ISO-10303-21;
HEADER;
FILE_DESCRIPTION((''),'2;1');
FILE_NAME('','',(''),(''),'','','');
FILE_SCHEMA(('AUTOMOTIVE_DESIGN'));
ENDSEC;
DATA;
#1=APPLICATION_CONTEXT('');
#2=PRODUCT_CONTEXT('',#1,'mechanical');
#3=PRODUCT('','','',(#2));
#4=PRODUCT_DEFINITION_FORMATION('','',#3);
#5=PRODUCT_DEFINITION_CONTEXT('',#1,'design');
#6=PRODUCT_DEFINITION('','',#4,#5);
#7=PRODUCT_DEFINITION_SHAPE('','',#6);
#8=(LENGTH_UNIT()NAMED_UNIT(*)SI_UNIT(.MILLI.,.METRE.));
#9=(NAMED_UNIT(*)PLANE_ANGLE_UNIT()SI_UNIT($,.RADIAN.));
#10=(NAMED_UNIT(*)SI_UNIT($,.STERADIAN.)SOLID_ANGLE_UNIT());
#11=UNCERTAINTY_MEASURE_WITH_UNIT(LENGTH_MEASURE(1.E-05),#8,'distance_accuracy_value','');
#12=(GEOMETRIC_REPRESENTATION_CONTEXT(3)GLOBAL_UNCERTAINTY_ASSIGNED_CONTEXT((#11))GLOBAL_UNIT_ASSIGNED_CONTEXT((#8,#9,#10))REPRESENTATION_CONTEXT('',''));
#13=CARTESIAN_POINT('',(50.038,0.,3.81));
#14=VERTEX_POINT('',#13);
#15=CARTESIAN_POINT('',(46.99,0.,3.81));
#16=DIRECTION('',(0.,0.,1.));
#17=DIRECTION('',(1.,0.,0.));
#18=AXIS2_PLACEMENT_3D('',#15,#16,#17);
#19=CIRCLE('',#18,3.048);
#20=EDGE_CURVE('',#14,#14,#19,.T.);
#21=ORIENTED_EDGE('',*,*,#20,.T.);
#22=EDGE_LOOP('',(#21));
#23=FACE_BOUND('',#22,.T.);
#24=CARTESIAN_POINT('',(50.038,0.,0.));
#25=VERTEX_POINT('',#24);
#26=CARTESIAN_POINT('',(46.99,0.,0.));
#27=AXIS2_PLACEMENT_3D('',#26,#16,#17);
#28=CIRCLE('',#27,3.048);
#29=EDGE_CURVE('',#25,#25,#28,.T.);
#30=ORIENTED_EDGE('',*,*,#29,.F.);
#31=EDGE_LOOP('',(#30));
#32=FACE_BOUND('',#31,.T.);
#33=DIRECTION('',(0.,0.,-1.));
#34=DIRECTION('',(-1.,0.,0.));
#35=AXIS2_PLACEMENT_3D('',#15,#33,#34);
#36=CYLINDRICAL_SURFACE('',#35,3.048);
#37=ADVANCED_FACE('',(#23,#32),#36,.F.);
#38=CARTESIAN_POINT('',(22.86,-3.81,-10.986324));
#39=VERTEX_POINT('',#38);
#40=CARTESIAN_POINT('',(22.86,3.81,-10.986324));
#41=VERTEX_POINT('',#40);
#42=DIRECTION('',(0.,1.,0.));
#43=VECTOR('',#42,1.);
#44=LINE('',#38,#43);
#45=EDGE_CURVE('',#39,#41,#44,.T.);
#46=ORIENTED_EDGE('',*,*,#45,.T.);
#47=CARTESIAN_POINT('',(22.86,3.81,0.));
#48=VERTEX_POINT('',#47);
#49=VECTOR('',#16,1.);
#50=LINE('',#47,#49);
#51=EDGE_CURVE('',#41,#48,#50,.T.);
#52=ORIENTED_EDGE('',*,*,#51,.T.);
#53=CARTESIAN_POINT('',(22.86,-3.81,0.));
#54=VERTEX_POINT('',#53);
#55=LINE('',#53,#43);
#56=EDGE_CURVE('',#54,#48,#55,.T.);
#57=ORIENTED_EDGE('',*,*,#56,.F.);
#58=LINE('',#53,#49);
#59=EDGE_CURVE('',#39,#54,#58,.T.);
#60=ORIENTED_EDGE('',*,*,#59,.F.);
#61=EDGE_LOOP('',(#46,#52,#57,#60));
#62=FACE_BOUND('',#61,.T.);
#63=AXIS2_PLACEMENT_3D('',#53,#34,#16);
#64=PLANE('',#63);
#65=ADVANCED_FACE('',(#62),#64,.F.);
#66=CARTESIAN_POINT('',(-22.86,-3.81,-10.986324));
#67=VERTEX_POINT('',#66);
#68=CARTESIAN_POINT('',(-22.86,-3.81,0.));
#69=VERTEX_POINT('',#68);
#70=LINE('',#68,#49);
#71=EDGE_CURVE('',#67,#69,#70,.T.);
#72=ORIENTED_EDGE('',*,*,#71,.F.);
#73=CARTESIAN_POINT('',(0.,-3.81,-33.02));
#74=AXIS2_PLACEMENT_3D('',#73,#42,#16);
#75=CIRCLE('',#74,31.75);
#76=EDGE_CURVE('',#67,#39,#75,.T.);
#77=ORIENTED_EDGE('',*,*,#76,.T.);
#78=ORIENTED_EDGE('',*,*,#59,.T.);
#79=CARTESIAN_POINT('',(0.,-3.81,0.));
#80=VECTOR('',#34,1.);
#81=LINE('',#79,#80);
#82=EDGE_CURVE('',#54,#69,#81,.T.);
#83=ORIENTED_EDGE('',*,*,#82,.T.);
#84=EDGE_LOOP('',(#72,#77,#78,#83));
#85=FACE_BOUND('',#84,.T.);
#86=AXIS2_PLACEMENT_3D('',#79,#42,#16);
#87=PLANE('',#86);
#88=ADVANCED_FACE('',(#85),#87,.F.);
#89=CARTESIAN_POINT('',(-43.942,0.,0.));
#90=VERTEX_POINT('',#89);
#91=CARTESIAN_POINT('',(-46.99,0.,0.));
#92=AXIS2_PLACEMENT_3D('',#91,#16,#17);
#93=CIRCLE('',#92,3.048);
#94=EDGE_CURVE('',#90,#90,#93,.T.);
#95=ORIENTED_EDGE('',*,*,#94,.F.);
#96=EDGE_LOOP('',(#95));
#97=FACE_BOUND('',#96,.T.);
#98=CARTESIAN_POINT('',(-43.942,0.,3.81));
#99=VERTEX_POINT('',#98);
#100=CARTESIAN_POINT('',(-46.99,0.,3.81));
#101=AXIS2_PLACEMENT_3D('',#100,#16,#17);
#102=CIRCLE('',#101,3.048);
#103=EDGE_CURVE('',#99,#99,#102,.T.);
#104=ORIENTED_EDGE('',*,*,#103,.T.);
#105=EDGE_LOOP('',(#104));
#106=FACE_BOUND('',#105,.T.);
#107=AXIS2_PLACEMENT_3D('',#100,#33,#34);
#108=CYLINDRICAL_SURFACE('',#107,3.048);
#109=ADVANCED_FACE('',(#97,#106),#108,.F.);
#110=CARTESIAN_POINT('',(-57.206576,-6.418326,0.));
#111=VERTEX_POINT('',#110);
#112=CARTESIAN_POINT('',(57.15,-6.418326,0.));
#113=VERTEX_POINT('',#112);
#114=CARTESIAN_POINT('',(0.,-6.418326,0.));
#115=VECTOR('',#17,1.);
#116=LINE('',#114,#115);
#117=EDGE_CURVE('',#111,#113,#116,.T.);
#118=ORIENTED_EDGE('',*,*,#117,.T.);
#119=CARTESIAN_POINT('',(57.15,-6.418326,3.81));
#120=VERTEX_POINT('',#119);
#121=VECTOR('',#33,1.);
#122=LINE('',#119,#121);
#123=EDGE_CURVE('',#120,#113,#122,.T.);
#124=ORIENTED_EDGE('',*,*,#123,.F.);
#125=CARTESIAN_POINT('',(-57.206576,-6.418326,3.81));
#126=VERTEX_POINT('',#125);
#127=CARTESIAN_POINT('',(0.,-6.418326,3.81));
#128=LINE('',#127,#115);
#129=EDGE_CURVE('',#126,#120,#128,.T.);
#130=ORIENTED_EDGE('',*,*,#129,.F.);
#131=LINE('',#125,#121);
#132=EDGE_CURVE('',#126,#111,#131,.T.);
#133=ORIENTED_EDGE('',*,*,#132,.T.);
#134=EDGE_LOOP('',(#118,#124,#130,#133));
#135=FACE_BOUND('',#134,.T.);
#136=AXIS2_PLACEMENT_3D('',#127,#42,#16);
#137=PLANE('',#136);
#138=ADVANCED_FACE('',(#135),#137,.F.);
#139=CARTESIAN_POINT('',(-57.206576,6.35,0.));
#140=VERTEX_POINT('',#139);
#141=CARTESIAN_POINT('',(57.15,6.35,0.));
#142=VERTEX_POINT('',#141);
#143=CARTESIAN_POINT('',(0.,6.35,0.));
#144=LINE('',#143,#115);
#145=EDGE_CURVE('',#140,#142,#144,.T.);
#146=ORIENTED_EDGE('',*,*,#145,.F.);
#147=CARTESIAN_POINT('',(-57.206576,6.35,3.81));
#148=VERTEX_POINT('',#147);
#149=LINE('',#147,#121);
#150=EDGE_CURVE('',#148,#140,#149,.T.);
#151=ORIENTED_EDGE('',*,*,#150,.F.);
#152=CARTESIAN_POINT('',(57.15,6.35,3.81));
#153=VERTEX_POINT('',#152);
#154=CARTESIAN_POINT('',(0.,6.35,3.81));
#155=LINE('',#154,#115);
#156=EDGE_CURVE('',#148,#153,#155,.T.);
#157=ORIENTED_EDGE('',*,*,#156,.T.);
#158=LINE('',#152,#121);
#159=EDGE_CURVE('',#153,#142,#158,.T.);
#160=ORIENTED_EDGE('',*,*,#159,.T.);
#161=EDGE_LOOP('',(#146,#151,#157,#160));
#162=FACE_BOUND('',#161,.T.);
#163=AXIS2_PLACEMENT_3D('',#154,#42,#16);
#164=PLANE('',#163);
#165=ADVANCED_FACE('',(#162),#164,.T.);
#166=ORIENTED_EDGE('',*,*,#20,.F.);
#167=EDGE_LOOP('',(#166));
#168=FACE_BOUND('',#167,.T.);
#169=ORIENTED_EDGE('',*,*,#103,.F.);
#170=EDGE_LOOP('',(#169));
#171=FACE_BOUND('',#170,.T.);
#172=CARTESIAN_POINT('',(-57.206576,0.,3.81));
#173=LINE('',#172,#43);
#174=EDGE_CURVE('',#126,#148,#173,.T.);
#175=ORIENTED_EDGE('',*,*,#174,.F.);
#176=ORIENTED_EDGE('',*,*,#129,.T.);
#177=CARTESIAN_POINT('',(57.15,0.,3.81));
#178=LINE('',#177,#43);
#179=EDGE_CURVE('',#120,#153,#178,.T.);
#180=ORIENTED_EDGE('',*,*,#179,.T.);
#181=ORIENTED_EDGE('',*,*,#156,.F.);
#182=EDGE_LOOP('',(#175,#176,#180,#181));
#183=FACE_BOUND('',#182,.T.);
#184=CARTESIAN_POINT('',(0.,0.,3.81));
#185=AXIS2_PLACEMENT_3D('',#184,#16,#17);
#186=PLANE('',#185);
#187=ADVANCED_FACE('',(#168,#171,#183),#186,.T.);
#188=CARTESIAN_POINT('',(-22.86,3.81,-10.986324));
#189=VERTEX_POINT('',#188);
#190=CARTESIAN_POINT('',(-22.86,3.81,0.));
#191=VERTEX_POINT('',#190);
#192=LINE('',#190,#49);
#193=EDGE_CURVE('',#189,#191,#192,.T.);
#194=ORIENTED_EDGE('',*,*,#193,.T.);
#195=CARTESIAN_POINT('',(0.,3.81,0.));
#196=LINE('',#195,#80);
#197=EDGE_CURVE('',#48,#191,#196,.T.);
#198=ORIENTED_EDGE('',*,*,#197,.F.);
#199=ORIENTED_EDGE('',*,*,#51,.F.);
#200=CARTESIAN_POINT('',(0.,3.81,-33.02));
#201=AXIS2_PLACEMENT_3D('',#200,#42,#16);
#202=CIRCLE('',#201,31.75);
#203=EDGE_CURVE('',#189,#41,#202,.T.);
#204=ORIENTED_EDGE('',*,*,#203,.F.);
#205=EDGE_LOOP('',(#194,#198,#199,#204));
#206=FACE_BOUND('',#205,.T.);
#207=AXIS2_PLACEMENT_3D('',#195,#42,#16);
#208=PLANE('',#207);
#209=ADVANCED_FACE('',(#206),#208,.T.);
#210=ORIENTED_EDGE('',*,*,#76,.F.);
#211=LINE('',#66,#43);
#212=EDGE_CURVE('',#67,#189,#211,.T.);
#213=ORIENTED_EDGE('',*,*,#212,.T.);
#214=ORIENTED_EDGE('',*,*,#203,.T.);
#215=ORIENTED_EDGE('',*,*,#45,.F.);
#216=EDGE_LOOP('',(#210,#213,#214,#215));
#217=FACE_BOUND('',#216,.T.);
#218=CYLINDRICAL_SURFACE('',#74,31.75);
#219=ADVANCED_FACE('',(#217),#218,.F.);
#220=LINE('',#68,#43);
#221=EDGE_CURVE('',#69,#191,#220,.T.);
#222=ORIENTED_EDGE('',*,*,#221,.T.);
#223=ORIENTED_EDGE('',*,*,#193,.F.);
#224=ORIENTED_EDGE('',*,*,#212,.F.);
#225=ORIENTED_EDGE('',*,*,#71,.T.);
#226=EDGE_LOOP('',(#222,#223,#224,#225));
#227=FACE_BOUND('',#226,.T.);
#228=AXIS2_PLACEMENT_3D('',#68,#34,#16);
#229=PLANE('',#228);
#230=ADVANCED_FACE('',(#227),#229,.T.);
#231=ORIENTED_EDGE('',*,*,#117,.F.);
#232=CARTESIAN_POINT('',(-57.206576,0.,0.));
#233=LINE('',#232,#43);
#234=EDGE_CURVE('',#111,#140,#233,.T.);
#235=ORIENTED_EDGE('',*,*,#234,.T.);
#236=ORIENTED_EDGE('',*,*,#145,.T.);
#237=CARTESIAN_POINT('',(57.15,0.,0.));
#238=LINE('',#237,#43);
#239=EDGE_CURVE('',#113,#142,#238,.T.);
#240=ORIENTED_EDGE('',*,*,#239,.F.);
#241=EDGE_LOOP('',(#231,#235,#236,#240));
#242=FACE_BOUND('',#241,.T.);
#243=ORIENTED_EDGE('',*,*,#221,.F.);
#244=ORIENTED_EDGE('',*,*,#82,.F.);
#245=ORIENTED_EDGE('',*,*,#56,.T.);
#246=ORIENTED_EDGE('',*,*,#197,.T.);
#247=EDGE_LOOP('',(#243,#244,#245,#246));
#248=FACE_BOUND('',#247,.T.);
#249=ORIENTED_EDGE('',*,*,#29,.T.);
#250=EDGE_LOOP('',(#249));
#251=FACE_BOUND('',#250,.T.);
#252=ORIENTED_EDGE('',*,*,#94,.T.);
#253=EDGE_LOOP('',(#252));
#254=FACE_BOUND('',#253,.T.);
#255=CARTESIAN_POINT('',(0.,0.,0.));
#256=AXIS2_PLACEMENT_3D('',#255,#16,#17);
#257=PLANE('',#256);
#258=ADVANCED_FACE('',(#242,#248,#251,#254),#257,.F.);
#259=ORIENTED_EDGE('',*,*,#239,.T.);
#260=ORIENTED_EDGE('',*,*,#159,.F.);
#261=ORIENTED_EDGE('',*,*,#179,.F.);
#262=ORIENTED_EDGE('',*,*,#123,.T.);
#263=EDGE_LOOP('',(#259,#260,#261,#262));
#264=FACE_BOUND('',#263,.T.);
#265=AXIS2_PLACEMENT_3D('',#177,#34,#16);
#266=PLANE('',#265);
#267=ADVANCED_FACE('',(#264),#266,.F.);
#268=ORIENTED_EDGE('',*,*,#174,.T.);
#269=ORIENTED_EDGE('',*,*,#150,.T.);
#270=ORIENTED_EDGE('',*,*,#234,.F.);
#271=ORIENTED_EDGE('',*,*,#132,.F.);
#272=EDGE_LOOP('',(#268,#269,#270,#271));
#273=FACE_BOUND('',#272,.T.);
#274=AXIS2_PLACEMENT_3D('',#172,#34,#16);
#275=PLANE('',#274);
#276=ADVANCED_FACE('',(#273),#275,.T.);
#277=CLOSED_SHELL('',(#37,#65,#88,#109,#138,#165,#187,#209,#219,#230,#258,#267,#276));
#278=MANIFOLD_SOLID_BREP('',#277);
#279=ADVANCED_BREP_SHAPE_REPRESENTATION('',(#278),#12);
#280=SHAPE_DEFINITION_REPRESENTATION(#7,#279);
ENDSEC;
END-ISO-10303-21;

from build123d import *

# Parameters (mm, degrees)
SKETCH2_W                = 114.356575713
SKETCH2_H                = 12.768326156
SKETCH2_R                = 3.048
BOSS_EXTRUDE1_DEPTH      = 3.81
BOSS_EXTRUDE2_DEPTH      = 3.81
BOSS_EXTRUDE2_DEPTH_BACK = 3.81


with BuildPart() as part:
    # Sketch2 → Boss-Extrude1 (new body)
    with BuildSketch(Plane.XY):
        with Locations((-0.028287857, -0.034163078)):
            Rectangle(SKETCH2_W, SKETCH2_H)
        with Locations((-46.99, 0)):
            Circle(SKETCH2_R, mode=Mode.SUBTRACT)
        with Locations((46.99, 0)):
            Circle(SKETCH2_R, mode=Mode.SUBTRACT)
    extrude(amount=BOSS_EXTRUDE1_DEPTH)

    # Sketch3 → Boss-Extrude2 (add, two sides)
    with BuildSketch(Plane(origin=(0, 0, 0), x_dir=(1, 0, 0), z_dir=(0, 1, 0))) as boss_extrude2_sk:
        with BuildLine():
            Line((0, 0), (22.86, 0))
            Line((22.86, 0), (22.86, 10.986323502))
            ThreePointArc((22.86, 10.986323502), (0, 1.27), (-22.86, 10.986323502))
            Line((-22.86, 10.986323502), (-22.86, 0))
            Line((-22.86, 0), (0, 0))
        make_face()
    extrude(amount=BOSS_EXTRUDE2_DEPTH)
    extrude(boss_extrude2_sk.sketch, amount=-BOSS_EXTRUDE2_DEPTH_BACK)


solid = part.part
